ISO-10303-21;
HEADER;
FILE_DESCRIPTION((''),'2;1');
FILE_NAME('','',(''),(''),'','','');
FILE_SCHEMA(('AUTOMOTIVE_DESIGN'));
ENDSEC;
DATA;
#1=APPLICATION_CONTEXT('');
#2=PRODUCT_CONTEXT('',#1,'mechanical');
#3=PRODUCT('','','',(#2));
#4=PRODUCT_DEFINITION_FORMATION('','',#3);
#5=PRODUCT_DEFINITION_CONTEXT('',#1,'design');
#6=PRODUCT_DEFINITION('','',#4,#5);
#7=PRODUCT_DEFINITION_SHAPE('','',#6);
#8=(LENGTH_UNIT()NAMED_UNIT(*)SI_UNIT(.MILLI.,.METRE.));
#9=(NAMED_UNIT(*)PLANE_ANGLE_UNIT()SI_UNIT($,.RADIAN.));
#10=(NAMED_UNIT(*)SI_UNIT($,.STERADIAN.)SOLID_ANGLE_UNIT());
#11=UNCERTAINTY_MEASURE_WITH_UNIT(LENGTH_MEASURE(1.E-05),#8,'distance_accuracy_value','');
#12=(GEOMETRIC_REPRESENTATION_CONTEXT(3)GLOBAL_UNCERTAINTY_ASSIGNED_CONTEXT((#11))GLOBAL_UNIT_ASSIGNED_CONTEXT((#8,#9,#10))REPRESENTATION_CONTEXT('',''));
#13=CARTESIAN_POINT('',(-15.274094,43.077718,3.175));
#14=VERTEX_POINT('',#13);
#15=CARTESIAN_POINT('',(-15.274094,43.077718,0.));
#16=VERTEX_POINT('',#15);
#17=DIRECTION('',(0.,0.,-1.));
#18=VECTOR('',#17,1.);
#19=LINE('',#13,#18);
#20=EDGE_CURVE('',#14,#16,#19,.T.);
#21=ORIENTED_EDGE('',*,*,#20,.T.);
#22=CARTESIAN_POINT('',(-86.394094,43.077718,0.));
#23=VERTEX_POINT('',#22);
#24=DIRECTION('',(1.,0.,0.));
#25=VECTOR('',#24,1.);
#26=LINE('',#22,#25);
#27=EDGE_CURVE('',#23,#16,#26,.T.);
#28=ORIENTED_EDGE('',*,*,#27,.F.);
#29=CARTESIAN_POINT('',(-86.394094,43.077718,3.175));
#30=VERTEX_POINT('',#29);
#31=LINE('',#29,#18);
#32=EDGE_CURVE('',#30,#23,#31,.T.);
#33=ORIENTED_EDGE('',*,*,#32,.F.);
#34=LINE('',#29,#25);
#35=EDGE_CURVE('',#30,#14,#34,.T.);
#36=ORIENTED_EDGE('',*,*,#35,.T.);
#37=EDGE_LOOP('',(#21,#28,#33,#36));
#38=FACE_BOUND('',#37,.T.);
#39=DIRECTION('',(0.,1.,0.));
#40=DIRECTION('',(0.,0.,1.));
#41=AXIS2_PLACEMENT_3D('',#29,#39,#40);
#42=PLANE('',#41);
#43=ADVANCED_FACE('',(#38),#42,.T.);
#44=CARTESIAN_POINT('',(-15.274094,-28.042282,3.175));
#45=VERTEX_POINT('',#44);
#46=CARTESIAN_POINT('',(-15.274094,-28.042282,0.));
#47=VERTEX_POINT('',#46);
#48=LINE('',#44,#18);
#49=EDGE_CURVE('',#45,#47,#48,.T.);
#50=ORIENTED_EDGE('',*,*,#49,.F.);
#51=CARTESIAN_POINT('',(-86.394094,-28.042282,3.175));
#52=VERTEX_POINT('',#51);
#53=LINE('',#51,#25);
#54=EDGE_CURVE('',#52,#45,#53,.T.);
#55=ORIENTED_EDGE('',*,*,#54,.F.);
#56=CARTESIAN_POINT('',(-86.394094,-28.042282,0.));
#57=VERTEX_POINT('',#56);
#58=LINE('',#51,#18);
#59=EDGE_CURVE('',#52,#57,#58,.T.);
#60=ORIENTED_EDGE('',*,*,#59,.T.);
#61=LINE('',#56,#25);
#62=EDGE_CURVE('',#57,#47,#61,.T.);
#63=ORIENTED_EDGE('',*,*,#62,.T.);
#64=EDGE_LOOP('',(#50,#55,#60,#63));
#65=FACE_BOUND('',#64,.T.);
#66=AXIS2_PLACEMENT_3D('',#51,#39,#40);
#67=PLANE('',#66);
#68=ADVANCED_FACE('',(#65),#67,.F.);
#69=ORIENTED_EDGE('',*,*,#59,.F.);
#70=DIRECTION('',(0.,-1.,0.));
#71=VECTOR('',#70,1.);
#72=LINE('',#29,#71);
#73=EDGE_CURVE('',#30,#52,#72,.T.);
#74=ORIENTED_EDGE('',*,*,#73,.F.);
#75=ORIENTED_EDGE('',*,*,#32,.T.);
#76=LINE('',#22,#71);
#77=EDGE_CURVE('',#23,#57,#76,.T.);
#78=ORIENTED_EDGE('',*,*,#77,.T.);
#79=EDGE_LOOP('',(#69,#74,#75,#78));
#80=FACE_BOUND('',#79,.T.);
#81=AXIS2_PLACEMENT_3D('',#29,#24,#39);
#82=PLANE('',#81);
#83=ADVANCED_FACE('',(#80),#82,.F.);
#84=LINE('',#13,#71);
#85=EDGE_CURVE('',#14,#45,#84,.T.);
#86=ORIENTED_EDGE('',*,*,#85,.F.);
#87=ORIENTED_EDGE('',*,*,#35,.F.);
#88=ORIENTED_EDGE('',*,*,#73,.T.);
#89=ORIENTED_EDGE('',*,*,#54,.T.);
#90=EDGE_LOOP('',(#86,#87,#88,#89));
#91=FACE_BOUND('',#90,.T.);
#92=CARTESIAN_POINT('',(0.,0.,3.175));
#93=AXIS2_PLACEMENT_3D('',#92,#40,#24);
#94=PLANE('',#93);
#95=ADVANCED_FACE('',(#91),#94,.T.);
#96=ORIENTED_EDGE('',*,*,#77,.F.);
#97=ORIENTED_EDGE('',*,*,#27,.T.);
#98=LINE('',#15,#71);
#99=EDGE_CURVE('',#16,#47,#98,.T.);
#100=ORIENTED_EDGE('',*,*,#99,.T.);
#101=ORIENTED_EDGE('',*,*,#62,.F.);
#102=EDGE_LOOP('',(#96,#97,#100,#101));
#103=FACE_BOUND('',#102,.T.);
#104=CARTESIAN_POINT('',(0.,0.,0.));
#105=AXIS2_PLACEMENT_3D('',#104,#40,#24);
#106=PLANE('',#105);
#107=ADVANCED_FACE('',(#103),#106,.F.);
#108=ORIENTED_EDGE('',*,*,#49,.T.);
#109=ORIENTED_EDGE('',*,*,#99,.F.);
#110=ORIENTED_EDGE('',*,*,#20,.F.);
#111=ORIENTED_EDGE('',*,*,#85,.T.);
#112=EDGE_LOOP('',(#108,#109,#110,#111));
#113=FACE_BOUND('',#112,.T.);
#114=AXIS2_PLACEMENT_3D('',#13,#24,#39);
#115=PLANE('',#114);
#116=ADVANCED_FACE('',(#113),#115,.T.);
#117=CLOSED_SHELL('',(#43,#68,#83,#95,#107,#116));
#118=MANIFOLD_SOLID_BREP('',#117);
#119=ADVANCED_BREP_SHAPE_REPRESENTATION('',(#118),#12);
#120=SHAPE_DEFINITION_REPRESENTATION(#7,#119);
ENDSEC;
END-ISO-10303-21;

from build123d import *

# Parameters (mm, degrees)
SKETCH1_W           = 71.12
SKETCH1_H           = 71.12
BOSS_EXTRUDE1_DEPTH = 3.175


with BuildPart() as part:
    # Sketch1 → Boss-Extrude1 (new body)
    with BuildSketch(Plane.XY):
        with Locations((-50.83409396, 7.517718121)):
            Rectangle(SKETCH1_W, SKETCH1_H)
    extrude(amount=BOSS_EXTRUDE1_DEPTH)


solid = part.part
